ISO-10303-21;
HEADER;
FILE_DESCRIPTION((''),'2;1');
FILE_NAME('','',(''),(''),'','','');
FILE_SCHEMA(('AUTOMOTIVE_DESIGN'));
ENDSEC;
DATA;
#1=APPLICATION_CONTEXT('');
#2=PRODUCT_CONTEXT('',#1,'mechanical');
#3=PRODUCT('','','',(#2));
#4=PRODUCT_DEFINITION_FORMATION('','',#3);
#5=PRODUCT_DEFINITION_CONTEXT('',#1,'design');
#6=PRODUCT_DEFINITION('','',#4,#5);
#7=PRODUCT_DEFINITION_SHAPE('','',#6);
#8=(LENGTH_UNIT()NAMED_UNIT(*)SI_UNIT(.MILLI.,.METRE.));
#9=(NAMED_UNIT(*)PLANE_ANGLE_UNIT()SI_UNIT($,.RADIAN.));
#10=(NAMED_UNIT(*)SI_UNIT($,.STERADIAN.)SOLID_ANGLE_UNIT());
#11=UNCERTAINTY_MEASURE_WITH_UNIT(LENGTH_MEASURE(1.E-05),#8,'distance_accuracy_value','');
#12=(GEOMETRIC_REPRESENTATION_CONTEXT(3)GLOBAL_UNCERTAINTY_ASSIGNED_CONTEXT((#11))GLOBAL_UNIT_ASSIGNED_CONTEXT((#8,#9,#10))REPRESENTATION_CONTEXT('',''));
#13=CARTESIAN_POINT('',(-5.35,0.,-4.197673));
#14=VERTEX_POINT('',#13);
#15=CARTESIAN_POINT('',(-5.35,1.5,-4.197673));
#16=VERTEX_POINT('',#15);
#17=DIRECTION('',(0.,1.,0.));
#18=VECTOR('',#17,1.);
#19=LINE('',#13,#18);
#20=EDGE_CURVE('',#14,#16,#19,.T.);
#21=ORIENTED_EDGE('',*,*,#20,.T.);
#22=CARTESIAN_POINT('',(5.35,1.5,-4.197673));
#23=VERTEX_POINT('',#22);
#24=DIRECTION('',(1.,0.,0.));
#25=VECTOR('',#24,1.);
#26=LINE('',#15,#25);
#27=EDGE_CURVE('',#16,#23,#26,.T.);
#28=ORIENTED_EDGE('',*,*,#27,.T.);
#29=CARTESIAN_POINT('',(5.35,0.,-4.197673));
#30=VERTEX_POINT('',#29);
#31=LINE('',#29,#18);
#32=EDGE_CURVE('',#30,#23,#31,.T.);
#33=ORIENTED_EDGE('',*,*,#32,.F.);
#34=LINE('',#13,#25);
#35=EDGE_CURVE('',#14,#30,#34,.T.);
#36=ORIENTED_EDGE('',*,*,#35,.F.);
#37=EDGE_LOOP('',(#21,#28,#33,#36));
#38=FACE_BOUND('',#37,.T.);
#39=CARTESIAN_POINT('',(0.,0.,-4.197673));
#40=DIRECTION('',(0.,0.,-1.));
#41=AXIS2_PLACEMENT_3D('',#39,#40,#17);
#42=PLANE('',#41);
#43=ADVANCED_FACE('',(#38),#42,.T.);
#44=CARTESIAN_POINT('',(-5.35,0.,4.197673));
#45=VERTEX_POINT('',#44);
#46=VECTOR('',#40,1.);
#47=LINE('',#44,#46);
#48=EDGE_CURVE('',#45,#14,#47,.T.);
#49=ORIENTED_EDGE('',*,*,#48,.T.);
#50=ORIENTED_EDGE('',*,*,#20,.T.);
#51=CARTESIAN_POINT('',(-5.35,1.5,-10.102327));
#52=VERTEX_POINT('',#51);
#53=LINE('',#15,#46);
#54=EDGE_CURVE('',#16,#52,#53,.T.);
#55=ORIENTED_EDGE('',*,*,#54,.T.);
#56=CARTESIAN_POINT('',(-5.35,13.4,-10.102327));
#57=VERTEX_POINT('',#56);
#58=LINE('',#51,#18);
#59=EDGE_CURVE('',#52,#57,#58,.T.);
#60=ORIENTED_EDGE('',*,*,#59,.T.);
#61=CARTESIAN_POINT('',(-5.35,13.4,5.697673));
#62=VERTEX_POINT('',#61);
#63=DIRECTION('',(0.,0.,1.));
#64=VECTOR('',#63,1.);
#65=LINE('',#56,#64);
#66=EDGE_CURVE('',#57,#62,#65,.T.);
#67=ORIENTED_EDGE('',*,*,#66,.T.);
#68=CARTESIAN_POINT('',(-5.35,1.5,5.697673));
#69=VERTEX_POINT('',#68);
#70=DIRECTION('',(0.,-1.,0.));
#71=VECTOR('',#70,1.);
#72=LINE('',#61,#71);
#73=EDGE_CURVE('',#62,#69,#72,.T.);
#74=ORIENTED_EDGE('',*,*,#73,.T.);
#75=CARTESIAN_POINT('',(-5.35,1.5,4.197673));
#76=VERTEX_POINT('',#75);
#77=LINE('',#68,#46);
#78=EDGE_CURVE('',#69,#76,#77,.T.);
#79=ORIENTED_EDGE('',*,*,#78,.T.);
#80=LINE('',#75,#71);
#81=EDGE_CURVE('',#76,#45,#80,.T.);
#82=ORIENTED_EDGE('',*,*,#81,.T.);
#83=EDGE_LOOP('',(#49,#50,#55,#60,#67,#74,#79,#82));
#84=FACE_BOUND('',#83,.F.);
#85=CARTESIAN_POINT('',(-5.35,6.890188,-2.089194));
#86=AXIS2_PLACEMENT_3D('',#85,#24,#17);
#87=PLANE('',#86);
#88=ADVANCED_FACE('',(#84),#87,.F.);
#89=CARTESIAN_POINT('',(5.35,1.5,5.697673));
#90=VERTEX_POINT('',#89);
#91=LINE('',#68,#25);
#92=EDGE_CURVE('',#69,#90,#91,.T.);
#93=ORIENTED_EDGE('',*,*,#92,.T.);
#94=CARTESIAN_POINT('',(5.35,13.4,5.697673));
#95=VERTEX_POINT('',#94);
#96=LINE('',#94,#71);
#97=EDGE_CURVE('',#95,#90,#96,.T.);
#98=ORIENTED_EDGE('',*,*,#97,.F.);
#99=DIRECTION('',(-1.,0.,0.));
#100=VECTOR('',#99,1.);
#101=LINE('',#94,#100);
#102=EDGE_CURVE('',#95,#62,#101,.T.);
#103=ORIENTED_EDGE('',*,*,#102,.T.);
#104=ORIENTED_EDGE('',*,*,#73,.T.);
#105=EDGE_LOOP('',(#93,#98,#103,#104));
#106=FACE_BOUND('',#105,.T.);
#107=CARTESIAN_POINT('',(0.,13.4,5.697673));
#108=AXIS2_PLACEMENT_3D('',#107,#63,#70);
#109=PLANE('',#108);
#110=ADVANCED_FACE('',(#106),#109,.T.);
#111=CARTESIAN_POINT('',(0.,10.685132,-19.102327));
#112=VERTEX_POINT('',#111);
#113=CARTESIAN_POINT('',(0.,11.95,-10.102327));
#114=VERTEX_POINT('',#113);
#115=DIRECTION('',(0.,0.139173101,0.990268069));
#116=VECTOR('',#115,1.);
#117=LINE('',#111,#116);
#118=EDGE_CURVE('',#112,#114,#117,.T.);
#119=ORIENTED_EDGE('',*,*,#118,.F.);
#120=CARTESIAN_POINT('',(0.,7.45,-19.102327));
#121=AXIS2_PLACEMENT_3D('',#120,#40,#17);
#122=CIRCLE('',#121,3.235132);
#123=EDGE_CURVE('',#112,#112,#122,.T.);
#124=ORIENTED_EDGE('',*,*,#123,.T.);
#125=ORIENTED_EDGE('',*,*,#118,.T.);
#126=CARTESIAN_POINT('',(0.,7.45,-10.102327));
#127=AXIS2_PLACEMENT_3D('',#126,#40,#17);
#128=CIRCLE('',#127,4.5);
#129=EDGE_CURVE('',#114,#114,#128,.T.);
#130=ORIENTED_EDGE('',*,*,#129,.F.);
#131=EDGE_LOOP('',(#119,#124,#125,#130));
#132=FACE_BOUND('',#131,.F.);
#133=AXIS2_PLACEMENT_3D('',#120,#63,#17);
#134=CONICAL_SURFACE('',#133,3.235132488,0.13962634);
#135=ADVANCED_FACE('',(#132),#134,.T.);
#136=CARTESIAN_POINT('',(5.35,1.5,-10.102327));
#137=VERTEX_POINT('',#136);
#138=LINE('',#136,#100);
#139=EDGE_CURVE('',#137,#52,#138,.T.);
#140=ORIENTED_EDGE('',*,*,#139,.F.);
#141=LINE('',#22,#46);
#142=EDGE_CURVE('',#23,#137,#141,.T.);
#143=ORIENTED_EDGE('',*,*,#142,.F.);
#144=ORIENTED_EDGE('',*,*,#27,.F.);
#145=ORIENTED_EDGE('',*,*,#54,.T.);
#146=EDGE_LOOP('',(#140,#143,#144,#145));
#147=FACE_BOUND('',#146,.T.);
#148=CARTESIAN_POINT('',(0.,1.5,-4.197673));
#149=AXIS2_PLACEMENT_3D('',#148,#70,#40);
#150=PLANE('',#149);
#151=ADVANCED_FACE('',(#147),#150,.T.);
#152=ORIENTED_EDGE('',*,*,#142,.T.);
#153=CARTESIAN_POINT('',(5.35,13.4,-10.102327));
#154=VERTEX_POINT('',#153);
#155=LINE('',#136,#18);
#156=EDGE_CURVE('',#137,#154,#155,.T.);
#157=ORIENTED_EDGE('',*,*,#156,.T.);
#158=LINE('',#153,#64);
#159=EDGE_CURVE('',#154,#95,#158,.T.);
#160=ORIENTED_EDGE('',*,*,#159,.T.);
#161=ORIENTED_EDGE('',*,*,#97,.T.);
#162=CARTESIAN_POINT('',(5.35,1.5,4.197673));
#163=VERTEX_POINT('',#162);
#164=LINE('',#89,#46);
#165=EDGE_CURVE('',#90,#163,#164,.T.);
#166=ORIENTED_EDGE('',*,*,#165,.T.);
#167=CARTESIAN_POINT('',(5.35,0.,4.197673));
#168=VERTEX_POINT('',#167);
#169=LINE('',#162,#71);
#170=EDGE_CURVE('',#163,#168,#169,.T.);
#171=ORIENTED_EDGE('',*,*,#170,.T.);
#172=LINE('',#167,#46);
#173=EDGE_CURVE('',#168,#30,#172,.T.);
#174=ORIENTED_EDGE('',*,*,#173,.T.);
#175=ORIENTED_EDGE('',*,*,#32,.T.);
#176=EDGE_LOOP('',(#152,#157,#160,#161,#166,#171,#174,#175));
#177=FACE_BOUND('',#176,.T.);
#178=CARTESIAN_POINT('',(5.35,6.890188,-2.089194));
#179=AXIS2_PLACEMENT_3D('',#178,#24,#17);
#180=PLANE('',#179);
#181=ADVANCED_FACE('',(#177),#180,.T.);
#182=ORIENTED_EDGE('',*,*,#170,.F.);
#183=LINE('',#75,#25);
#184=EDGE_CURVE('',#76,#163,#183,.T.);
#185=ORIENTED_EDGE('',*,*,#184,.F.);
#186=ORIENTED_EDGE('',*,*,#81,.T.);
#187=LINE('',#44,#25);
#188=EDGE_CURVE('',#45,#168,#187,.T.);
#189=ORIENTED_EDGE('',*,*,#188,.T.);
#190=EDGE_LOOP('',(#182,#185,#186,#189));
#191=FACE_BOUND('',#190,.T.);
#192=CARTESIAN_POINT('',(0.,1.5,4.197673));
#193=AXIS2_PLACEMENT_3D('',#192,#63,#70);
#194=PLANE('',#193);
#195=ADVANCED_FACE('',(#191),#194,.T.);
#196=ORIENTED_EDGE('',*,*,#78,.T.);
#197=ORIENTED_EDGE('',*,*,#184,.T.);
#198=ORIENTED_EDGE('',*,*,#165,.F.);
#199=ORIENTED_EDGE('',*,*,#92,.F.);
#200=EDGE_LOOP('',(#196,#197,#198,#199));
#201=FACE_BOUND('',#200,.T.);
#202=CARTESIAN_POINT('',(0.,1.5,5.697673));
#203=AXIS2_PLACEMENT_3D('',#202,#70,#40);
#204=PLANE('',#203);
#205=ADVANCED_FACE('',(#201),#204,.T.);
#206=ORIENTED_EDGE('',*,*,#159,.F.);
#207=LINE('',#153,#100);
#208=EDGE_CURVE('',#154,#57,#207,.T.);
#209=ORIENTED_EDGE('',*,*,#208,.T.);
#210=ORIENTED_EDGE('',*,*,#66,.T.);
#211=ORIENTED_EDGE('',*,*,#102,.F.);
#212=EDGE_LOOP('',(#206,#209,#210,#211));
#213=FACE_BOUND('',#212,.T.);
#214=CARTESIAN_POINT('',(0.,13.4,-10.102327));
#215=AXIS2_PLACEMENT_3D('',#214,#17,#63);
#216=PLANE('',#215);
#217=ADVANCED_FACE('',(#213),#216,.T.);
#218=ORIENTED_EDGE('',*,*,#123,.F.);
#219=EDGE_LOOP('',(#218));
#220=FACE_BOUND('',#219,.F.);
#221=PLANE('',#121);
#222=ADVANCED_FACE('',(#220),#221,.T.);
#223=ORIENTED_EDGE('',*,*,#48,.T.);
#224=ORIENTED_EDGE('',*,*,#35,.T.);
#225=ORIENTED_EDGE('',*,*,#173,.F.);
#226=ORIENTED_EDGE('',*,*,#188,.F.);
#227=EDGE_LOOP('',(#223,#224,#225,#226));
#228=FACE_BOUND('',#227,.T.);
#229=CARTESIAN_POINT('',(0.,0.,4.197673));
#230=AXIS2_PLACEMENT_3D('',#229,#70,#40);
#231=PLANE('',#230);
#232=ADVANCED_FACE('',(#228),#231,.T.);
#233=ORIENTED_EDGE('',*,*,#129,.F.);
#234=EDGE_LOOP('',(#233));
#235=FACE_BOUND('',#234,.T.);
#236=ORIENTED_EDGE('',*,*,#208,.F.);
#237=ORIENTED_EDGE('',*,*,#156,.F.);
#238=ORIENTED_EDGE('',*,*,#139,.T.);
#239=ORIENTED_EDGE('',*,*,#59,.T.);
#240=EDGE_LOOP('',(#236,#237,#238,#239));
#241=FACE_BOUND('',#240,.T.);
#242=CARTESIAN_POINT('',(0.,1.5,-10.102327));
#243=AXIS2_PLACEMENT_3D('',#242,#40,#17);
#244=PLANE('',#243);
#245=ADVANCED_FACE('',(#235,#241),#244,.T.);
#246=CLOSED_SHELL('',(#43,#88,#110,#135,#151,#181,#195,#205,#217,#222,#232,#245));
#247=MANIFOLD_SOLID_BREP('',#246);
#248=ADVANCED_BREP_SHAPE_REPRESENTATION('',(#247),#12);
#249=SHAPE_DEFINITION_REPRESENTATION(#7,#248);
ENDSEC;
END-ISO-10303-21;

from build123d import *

# Parameters (mm, degrees)
F1_DEPTH = 5.35


with BuildPart() as f1:
    # F0 (on Right) → F1 (new body, symmetric)
    with BuildSketch(Plane.YZ):
        Polygon((13.4, 5.6976731923), (1.5, 5.6976731923), (1.5, 4.1976731923), (0, 4.1976731923), (0, -4.1976731923), (1.5, -4.1976731923), (1.5, -10.1023268077), (13.4, -10.1023268077), align=None)
    extrude(amount=F1_DEPTH, both=True)

    # F2 (on Right) → F3 (revolve)
    with BuildSketch(Plane.YZ):
        Polygon((11.95, -10.1023268077), (7.45, -10.1023268077), (7.45, -19.1023268077), (10.6851324877, -19.1023268077), align=None)
    revolve(axis=Axis((0, 7.45, -0.5276551531), (0, 0, -1)))


solid = f1.part
